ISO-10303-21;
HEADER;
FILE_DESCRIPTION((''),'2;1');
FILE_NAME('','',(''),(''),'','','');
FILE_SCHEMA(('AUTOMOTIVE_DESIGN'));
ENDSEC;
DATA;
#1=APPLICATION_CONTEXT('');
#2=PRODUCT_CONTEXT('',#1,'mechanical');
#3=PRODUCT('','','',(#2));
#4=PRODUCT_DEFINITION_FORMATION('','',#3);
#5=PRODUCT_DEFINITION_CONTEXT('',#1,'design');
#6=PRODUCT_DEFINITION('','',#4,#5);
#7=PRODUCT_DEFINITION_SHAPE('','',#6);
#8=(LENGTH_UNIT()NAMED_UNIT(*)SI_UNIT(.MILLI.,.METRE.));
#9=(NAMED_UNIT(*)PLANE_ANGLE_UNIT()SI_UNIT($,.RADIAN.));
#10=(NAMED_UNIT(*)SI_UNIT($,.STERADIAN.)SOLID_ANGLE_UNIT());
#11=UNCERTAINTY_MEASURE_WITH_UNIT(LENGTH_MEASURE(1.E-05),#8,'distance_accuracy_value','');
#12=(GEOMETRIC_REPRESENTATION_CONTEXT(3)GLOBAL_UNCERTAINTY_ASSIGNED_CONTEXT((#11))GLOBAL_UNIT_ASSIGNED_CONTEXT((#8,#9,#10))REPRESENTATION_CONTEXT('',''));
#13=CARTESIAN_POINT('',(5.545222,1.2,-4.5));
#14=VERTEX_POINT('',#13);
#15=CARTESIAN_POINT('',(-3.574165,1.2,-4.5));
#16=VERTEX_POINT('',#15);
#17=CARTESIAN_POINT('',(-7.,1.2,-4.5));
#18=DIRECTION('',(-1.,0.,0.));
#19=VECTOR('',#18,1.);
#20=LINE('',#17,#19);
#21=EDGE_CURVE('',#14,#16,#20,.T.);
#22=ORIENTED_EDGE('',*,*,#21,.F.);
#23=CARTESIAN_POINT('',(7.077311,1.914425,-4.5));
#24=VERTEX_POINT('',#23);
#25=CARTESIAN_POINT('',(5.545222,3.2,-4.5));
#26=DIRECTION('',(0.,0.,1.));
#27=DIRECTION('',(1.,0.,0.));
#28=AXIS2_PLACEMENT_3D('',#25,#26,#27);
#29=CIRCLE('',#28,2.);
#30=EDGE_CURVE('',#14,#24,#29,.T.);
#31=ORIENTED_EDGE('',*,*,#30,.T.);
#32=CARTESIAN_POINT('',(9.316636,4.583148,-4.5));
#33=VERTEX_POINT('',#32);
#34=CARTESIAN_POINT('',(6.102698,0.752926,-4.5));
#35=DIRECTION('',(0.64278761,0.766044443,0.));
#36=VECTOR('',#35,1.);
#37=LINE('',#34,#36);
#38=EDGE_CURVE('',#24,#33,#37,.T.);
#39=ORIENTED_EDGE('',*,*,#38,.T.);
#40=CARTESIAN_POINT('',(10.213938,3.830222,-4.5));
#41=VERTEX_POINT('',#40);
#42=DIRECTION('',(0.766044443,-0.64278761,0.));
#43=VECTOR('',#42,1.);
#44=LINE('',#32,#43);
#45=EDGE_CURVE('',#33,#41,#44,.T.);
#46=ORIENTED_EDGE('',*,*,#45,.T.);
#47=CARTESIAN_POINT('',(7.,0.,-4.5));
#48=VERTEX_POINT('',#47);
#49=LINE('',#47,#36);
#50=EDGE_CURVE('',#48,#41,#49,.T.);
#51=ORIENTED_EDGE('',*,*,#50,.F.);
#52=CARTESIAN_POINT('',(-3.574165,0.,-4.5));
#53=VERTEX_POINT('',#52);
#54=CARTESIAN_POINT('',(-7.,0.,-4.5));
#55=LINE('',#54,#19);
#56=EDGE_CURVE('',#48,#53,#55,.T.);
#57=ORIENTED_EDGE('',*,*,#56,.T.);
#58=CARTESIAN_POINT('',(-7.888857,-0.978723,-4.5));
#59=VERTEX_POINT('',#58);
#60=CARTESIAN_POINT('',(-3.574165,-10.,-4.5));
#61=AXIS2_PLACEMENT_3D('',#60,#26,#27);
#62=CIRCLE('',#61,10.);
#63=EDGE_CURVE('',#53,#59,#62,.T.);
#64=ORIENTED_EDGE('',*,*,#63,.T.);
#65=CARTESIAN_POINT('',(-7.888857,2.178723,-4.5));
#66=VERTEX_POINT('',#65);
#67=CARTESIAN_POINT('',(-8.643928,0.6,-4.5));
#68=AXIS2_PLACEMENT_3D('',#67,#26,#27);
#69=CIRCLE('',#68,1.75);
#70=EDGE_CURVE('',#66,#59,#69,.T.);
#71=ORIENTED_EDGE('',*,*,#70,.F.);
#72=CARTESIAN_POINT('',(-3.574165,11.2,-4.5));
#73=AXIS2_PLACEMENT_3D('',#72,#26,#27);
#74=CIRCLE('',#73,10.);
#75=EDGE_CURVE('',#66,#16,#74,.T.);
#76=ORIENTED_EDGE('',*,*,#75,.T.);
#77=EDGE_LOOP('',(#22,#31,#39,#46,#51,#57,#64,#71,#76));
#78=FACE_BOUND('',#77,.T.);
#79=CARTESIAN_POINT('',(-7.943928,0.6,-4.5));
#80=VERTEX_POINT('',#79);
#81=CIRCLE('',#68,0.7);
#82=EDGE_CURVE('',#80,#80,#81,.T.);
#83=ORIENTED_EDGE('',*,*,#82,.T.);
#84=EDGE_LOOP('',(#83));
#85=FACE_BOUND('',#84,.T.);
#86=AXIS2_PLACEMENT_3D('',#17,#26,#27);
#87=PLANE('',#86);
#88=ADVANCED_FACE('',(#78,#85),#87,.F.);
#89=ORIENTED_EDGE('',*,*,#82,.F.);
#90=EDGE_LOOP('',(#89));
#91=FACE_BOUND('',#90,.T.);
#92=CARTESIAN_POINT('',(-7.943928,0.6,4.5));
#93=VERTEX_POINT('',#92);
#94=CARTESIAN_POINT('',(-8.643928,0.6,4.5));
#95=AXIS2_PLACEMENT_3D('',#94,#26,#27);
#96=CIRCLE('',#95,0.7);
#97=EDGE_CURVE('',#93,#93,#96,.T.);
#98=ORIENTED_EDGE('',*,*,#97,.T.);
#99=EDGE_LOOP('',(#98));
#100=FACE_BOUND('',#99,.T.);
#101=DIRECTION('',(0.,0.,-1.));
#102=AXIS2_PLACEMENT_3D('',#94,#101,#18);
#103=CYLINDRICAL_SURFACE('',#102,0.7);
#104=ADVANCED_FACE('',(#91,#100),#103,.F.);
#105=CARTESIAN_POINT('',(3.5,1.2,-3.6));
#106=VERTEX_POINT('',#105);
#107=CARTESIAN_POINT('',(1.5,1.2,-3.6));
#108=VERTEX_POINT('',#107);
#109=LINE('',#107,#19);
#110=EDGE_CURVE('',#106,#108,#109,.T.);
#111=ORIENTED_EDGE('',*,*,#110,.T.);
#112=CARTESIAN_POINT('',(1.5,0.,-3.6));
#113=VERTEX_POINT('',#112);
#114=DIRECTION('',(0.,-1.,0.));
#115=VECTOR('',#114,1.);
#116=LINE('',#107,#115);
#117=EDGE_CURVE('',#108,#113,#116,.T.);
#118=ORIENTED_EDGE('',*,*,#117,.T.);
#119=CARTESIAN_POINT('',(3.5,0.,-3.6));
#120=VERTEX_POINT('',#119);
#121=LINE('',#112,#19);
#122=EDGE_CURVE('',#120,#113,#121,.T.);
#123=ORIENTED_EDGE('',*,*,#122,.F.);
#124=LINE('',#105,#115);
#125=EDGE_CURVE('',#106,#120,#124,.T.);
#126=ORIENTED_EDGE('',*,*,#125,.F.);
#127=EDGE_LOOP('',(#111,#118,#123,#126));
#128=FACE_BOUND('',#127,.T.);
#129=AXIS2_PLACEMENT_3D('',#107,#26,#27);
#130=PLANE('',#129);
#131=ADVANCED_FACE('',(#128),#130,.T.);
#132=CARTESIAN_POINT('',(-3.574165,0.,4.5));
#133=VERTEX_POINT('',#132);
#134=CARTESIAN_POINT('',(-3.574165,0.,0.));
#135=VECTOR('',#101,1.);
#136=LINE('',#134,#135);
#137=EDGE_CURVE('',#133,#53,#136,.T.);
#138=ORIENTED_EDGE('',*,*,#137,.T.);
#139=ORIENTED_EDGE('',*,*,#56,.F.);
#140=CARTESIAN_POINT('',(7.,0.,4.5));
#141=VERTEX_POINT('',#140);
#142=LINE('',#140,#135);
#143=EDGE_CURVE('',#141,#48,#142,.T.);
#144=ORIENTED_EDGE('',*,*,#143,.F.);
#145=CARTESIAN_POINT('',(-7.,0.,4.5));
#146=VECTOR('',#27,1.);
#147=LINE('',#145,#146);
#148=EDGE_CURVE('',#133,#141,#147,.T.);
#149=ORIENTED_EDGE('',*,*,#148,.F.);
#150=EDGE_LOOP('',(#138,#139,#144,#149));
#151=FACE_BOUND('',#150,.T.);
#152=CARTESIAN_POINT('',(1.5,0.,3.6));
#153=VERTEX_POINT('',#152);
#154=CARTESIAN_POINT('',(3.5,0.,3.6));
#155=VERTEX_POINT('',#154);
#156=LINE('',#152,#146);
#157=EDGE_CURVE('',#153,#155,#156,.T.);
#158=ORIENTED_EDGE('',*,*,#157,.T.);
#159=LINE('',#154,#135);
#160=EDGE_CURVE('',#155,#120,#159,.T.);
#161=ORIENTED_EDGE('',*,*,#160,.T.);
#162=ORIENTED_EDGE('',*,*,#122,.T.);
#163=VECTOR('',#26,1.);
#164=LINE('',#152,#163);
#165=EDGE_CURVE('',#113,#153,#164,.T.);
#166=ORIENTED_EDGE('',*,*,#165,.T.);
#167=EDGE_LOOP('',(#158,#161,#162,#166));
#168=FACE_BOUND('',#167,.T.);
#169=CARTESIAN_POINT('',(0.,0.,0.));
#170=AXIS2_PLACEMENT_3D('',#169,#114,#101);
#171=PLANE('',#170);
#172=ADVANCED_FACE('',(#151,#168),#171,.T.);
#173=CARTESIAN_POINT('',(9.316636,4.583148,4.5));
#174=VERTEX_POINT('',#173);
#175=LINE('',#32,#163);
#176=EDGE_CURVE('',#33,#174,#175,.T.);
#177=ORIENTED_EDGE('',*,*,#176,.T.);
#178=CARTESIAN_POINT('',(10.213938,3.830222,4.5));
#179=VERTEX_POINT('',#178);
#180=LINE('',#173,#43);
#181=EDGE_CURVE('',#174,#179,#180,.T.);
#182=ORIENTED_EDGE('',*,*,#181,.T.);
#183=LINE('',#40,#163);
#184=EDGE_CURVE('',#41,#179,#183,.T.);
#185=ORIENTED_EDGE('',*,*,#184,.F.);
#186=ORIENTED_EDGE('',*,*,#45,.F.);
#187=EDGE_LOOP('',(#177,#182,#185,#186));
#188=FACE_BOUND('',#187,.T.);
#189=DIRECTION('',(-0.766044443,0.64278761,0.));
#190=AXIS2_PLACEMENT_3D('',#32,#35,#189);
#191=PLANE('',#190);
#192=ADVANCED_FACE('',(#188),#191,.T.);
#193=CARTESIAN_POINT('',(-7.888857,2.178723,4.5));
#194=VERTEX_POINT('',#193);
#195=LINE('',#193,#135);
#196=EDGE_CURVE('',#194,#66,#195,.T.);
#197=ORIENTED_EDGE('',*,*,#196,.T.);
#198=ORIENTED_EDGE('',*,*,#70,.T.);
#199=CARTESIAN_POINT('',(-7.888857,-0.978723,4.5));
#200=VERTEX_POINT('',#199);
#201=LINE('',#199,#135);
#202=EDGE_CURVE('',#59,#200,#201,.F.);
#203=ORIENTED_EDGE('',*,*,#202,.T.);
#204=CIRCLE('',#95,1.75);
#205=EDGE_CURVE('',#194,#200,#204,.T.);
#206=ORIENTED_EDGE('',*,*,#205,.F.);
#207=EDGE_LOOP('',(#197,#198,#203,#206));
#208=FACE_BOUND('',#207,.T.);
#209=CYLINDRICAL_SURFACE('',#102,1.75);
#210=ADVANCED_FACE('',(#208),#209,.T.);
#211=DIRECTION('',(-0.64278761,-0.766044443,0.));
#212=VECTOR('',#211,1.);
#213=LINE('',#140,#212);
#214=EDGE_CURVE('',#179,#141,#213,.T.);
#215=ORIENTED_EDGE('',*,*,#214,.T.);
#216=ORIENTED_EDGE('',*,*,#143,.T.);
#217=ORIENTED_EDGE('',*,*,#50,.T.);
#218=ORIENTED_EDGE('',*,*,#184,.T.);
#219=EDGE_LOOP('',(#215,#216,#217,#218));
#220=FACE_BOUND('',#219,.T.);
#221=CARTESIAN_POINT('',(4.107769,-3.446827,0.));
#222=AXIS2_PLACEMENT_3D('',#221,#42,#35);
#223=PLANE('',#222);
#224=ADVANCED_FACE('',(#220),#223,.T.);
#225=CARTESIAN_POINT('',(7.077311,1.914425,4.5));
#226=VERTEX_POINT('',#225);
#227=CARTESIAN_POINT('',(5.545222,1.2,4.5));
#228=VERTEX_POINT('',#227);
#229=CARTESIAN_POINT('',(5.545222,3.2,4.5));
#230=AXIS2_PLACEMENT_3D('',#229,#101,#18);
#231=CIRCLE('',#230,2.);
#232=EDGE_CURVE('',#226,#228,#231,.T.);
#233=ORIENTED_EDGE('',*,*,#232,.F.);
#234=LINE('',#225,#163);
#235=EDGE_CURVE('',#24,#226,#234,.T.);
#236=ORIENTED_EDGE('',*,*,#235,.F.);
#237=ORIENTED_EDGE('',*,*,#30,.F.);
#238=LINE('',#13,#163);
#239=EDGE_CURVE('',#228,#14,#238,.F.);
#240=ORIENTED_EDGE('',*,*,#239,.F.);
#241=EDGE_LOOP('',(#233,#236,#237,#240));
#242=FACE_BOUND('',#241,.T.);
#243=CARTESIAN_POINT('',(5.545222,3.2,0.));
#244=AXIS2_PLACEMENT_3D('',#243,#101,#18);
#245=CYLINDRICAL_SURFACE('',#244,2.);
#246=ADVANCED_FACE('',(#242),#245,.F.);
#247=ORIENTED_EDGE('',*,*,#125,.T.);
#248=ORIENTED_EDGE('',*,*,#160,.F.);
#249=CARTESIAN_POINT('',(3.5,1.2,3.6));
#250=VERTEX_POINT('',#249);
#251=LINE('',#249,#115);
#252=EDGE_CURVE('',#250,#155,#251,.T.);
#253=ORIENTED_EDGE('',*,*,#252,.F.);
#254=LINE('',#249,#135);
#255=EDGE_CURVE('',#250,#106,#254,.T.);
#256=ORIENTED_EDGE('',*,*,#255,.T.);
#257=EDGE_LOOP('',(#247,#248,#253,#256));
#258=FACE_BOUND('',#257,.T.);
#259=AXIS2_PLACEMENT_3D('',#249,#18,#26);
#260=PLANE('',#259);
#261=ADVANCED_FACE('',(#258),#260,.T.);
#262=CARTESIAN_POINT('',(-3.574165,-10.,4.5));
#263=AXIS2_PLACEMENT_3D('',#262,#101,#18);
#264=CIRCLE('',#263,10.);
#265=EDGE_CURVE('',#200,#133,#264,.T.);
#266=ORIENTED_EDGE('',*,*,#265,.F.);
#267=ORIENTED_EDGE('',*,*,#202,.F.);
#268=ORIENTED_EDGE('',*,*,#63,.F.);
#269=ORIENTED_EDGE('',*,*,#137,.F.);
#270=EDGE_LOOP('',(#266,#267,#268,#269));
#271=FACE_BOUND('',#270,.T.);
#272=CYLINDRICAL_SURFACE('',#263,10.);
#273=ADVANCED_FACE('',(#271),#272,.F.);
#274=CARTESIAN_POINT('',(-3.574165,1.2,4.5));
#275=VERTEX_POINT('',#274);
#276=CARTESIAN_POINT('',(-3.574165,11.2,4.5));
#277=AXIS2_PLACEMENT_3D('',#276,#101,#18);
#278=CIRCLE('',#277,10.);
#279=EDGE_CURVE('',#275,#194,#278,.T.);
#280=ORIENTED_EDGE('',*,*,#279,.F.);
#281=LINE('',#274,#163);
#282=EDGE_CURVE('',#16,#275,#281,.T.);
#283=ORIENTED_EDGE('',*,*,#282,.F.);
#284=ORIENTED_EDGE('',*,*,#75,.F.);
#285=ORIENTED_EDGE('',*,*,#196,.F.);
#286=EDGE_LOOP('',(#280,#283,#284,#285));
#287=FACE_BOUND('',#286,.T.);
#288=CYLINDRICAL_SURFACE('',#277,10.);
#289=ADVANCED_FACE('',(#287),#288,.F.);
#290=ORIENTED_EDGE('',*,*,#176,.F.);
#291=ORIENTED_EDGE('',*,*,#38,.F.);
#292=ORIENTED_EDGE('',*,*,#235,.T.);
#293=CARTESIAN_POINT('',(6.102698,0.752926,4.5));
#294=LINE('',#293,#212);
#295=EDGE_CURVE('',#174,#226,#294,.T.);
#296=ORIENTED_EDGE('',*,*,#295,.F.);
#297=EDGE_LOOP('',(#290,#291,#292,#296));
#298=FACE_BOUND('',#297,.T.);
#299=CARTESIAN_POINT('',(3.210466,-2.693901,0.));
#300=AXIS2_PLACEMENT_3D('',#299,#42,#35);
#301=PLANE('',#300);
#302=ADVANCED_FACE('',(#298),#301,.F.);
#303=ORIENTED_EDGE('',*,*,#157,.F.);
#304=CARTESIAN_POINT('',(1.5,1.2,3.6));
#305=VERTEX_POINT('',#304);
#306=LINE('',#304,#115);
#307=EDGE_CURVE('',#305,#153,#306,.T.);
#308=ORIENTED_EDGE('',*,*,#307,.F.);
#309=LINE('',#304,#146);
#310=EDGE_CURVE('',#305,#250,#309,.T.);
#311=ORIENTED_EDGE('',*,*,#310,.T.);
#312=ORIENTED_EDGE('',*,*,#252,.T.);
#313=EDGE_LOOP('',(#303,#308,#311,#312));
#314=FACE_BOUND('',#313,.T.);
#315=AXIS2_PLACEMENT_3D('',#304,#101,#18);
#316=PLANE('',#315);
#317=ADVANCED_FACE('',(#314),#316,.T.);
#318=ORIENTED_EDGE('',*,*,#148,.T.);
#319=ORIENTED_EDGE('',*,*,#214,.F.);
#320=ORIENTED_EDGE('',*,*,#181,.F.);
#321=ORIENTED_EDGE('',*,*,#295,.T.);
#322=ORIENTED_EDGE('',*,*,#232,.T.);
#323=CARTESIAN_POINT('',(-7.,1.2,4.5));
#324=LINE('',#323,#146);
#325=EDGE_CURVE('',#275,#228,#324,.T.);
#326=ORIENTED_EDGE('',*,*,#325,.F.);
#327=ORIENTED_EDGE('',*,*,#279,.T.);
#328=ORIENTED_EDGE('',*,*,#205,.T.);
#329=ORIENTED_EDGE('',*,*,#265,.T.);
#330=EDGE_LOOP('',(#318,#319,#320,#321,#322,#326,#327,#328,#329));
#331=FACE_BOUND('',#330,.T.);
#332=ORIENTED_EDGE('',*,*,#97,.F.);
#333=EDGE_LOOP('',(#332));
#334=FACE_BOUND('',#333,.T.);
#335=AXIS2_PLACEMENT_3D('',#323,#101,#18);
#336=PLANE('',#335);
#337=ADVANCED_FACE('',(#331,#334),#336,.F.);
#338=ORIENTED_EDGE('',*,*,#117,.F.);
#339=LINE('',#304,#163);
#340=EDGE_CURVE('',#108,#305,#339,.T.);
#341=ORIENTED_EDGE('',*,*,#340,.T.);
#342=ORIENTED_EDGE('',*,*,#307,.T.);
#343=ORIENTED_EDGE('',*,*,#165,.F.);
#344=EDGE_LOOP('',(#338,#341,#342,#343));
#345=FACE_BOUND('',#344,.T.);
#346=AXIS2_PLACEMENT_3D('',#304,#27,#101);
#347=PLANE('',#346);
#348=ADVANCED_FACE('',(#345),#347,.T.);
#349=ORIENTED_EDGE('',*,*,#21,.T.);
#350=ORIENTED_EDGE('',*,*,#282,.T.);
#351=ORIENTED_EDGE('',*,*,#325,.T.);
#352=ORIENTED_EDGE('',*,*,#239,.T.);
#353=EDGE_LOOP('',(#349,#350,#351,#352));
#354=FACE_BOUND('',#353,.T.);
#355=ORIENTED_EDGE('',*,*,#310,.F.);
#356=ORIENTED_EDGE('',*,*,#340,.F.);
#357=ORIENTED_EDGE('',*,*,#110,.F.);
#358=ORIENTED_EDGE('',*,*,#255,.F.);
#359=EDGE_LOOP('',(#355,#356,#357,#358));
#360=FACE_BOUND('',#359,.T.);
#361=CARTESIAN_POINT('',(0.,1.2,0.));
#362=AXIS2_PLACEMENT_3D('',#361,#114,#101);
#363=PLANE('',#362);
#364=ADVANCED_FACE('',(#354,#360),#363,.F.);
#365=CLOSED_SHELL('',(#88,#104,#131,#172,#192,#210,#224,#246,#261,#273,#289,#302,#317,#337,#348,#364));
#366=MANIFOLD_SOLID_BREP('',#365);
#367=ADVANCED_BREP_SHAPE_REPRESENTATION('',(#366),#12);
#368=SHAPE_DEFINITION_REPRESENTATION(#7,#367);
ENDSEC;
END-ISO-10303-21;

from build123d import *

# Parameters (mm, degrees)
SKETCH1_W                = 14
SKETCH1_H                = 9
SKETCH1_W_2              = 2
SKETCH1_H_2              = 7.2
BOSS_EXTRUDE1_DEPTH      = 1.2
BOSS_EXTRUDE2_DEPTH      = 4.5
BOSS_EXTRUDE2_DEPTH_BACK = 4.5
SKETCH2_R                = 1.75
SKETCH2_R_2              = 0.7
FILLET1_R                = 10
BOSS_EXTRUDE3_DEPTH      = 0.771345
BOSS_EXTRUDE3_DEPTH_BACK = 0.4
SKETCH3_W                = 9
SKETCH3_H                = 5
FILLET2_R                = 2


with BuildPart() as part:
    # Sketch1 → Boss-Extrude1 (new body)
    with BuildSketch(Plane(origin=(0, 0, 0), x_dir=(1, 0, 0), z_dir=(0, 1, 0))):
        Rectangle(SKETCH1_W, SKETCH1_H)
        with Locations((2.5, 0)):
            Rectangle(SKETCH1_W_2, SKETCH1_H_2, mode=Mode.SUBTRACT)
    extrude(amount=BOSS_EXTRUDE1_DEPTH)

    # Sketch2 → Boss-Extrude2 (add, two sides: drawn at the far end of the back side and taken through both)
    with BuildSketch(Plane.XY.offset(-BOSS_EXTRUDE2_DEPTH_BACK)):
        with Locations((-8.643928222, 0.6)):
            Circle(SKETCH2_R)
        with Locations((-8.643928222, 0.6)):
            Circle(SKETCH2_R_2, mode=Mode.SUBTRACT)
    extrude(amount=BOSS_EXTRUDE2_DEPTH + BOSS_EXTRUDE2_DEPTH_BACK)

    # Fillet1
    fillet1_edges = [part.edges().sort_by_distance(p)[0] for p in [
        (-7, 1.2, 0),
        (-7, 0, 0),
    ]]
    fillet(fillet1_edges, radius=FILLET1_R)

    # Sketch3 → Boss-Extrude3 (add, two sides: drawn at the far end of the back side and taken through both)
    with BuildSketch(Plane(origin=(3.51688397, -2.951016042, 0), x_dir=(0, 0, -1), z_dir=(0.7660444431189749, -0.642787609686543, 0)).offset(-BOSS_EXTRUDE3_DEPTH_BACK)):
        with Locations((0, 6.999513268)):
            Rectangle(SKETCH3_W, SKETCH3_H)
    extrude(amount=BOSS_EXTRUDE3_DEPTH + BOSS_EXTRUDE3_DEPTH_BACK)

    # Fillet2
    fillet2_edges = [part.edges().sort_by_distance(p)[0] for p in [
        (6.477837084, 1.2, 0),
    ]]
    fillet(fillet2_edges, radius=FILLET2_R)


solid = part.part
